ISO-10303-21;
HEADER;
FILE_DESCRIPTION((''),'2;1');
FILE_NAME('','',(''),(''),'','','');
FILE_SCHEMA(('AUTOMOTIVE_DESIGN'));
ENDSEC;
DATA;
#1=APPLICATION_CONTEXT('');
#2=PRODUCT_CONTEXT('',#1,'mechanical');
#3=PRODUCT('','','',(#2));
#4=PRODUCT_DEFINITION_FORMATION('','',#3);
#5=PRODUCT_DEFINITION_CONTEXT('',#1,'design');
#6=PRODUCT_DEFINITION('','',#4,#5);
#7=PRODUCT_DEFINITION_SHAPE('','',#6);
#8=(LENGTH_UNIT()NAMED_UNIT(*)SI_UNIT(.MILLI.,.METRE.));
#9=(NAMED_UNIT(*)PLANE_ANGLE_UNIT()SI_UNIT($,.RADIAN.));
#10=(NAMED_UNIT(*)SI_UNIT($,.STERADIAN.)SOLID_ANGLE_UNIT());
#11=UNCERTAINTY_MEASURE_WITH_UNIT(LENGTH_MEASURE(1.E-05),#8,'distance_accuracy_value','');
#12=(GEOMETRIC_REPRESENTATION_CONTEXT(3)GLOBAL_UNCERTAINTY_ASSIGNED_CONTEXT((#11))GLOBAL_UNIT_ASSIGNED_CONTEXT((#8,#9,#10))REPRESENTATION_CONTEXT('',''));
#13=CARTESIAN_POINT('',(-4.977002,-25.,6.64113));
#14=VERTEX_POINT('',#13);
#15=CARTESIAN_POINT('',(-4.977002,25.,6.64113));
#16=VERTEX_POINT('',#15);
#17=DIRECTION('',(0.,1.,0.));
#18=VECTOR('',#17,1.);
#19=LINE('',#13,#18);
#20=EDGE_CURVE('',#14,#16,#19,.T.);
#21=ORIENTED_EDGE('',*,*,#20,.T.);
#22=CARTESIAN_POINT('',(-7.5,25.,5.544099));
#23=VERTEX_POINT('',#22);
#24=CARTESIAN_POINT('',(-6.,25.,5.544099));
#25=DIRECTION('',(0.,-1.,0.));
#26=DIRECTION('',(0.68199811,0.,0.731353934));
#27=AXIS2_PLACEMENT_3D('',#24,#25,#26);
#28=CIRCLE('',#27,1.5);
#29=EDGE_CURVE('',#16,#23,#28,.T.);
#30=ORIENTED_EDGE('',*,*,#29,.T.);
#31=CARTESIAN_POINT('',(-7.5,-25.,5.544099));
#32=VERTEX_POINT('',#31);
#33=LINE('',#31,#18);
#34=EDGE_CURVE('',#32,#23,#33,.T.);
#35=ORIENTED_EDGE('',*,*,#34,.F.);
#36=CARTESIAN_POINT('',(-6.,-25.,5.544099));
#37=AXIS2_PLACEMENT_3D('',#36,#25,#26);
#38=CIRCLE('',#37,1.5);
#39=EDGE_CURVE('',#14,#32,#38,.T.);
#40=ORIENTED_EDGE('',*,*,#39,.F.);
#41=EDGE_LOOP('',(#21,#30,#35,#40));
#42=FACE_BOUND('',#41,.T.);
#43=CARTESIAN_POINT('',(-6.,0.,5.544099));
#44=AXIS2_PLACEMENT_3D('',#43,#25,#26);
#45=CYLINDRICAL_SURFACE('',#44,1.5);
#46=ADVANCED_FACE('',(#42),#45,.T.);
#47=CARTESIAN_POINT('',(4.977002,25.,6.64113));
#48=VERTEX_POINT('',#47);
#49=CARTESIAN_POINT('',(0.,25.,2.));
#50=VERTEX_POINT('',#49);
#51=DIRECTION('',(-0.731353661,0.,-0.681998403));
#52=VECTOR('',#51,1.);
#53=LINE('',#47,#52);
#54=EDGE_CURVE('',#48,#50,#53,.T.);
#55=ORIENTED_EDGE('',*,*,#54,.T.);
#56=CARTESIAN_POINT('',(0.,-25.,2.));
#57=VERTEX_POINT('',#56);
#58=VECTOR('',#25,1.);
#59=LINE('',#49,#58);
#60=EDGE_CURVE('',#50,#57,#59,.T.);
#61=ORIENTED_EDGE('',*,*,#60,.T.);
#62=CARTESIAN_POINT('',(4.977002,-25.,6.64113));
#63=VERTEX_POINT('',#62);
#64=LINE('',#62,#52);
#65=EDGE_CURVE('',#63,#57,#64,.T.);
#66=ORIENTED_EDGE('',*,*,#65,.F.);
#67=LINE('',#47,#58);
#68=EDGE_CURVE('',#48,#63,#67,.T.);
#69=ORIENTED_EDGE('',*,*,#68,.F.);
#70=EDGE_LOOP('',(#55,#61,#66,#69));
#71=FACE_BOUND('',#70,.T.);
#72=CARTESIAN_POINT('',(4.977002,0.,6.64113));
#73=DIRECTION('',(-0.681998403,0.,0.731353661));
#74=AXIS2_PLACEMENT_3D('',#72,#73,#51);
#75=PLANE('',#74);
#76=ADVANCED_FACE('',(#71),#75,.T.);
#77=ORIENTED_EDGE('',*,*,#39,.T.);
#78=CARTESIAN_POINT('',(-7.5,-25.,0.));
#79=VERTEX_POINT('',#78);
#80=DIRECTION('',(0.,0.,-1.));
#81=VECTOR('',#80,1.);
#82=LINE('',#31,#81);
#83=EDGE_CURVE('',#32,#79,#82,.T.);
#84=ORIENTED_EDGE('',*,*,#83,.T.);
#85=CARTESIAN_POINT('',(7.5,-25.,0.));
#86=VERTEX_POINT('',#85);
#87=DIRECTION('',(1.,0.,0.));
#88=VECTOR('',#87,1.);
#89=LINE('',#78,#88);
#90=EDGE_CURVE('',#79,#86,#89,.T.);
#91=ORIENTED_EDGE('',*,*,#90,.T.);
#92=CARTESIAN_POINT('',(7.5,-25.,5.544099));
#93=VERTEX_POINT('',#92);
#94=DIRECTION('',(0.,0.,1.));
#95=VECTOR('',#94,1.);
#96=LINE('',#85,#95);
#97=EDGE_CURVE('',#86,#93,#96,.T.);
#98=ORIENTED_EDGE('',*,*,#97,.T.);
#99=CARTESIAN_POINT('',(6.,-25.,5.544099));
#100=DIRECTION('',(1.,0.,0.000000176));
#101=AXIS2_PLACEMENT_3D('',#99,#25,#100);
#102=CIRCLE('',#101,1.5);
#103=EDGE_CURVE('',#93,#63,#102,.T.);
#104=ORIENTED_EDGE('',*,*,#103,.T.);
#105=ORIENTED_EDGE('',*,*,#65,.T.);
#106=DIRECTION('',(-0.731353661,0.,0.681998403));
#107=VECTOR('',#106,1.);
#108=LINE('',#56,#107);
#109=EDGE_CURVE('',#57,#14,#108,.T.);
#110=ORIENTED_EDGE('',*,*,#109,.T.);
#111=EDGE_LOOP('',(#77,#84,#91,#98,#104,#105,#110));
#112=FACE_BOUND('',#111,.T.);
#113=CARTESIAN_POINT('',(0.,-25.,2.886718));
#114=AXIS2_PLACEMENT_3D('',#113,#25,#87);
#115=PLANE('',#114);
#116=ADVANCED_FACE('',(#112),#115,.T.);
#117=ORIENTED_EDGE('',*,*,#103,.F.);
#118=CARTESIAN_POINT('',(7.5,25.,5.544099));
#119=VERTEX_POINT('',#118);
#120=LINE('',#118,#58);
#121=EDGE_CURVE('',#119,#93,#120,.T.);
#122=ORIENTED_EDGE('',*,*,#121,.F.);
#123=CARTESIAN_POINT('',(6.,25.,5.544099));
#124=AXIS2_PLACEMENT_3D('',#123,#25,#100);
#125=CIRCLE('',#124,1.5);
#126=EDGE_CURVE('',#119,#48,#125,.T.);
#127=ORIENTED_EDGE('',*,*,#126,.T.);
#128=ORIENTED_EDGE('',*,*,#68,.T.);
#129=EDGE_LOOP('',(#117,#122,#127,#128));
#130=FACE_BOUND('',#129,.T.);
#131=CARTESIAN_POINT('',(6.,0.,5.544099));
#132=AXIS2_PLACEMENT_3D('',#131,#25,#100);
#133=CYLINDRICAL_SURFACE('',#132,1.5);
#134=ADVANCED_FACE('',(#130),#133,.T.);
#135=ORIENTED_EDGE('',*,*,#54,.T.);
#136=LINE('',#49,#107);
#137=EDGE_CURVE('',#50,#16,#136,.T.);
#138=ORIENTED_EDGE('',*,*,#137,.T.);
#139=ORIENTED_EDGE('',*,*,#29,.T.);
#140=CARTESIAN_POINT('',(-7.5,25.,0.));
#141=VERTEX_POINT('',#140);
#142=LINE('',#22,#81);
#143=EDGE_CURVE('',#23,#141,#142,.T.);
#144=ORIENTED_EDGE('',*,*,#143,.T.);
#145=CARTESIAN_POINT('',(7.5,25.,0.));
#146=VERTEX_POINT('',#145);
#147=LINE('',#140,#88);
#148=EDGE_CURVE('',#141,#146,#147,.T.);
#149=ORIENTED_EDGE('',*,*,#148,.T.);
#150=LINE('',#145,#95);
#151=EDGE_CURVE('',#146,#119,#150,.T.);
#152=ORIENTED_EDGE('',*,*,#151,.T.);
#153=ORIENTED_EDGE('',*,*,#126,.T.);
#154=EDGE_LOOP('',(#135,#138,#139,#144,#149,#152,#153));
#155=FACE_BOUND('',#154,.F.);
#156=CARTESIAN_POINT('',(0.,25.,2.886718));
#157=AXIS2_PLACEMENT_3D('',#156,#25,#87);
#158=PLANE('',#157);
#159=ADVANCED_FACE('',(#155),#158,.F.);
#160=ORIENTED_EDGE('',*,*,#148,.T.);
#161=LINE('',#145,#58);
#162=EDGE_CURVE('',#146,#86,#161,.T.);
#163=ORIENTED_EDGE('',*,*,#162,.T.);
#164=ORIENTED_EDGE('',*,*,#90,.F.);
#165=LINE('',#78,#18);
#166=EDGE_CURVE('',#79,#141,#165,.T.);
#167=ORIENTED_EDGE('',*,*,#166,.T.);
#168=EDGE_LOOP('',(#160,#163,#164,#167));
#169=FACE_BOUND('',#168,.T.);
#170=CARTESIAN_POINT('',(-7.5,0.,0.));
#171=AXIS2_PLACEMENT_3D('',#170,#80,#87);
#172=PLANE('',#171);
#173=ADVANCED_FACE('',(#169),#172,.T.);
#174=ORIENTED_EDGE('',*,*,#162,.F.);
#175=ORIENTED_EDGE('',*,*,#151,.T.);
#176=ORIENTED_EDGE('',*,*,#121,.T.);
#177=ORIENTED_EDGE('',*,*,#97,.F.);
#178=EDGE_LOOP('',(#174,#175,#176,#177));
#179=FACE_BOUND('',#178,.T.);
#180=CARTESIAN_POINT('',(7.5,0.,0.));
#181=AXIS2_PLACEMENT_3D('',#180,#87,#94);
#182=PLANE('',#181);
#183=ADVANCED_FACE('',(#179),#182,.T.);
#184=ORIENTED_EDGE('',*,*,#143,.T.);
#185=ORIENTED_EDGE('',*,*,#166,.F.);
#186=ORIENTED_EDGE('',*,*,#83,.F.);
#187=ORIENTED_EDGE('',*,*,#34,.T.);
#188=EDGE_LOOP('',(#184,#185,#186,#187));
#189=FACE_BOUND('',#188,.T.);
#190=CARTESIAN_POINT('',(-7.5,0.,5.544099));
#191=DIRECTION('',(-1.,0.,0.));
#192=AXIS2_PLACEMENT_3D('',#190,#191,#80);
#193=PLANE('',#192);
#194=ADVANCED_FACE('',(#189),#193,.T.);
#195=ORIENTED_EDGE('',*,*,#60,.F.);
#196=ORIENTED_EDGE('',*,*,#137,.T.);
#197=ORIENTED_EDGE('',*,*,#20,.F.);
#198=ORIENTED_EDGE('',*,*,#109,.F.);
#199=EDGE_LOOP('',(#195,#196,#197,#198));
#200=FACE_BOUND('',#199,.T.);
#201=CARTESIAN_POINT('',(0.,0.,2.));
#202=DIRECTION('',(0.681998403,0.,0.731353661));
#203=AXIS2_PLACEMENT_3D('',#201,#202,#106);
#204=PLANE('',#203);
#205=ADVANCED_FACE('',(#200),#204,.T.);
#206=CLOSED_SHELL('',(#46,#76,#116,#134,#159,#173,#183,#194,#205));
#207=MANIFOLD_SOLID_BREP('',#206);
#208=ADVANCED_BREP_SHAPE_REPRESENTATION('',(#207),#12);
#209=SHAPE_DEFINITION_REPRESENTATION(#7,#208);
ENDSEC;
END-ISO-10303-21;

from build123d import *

# Parameters (mm, degrees)
F1_DEPTH = 25


with BuildPart() as f1:
    # F0 (on Front) → F1 (new body, symmetric)
    with BuildSketch(Plane.XZ):
        with BuildLine():
            Line((-7.5, 0), (0, 0))
            Line((0, 0), (7.5, 0))
            Line((7.5, 0), (7.5, 5.544099))
            ThreePointArc((7.5, 5.544099), (6.598124, 6.919689), (4.977002, 6.64113))
            Line((4.977002, 6.64113), (0, 2))
            Line((0, 2), (-4.977002, 6.64113))
            ThreePointArc((-4.977002, 6.64113), (-6.598124, 6.919689), (-7.5, 5.544099))
            Line((-7.5, 5.544099), (-7.5, 0))
        make_face()
    extrude(amount=F1_DEPTH, both=True)


solid = f1.part
